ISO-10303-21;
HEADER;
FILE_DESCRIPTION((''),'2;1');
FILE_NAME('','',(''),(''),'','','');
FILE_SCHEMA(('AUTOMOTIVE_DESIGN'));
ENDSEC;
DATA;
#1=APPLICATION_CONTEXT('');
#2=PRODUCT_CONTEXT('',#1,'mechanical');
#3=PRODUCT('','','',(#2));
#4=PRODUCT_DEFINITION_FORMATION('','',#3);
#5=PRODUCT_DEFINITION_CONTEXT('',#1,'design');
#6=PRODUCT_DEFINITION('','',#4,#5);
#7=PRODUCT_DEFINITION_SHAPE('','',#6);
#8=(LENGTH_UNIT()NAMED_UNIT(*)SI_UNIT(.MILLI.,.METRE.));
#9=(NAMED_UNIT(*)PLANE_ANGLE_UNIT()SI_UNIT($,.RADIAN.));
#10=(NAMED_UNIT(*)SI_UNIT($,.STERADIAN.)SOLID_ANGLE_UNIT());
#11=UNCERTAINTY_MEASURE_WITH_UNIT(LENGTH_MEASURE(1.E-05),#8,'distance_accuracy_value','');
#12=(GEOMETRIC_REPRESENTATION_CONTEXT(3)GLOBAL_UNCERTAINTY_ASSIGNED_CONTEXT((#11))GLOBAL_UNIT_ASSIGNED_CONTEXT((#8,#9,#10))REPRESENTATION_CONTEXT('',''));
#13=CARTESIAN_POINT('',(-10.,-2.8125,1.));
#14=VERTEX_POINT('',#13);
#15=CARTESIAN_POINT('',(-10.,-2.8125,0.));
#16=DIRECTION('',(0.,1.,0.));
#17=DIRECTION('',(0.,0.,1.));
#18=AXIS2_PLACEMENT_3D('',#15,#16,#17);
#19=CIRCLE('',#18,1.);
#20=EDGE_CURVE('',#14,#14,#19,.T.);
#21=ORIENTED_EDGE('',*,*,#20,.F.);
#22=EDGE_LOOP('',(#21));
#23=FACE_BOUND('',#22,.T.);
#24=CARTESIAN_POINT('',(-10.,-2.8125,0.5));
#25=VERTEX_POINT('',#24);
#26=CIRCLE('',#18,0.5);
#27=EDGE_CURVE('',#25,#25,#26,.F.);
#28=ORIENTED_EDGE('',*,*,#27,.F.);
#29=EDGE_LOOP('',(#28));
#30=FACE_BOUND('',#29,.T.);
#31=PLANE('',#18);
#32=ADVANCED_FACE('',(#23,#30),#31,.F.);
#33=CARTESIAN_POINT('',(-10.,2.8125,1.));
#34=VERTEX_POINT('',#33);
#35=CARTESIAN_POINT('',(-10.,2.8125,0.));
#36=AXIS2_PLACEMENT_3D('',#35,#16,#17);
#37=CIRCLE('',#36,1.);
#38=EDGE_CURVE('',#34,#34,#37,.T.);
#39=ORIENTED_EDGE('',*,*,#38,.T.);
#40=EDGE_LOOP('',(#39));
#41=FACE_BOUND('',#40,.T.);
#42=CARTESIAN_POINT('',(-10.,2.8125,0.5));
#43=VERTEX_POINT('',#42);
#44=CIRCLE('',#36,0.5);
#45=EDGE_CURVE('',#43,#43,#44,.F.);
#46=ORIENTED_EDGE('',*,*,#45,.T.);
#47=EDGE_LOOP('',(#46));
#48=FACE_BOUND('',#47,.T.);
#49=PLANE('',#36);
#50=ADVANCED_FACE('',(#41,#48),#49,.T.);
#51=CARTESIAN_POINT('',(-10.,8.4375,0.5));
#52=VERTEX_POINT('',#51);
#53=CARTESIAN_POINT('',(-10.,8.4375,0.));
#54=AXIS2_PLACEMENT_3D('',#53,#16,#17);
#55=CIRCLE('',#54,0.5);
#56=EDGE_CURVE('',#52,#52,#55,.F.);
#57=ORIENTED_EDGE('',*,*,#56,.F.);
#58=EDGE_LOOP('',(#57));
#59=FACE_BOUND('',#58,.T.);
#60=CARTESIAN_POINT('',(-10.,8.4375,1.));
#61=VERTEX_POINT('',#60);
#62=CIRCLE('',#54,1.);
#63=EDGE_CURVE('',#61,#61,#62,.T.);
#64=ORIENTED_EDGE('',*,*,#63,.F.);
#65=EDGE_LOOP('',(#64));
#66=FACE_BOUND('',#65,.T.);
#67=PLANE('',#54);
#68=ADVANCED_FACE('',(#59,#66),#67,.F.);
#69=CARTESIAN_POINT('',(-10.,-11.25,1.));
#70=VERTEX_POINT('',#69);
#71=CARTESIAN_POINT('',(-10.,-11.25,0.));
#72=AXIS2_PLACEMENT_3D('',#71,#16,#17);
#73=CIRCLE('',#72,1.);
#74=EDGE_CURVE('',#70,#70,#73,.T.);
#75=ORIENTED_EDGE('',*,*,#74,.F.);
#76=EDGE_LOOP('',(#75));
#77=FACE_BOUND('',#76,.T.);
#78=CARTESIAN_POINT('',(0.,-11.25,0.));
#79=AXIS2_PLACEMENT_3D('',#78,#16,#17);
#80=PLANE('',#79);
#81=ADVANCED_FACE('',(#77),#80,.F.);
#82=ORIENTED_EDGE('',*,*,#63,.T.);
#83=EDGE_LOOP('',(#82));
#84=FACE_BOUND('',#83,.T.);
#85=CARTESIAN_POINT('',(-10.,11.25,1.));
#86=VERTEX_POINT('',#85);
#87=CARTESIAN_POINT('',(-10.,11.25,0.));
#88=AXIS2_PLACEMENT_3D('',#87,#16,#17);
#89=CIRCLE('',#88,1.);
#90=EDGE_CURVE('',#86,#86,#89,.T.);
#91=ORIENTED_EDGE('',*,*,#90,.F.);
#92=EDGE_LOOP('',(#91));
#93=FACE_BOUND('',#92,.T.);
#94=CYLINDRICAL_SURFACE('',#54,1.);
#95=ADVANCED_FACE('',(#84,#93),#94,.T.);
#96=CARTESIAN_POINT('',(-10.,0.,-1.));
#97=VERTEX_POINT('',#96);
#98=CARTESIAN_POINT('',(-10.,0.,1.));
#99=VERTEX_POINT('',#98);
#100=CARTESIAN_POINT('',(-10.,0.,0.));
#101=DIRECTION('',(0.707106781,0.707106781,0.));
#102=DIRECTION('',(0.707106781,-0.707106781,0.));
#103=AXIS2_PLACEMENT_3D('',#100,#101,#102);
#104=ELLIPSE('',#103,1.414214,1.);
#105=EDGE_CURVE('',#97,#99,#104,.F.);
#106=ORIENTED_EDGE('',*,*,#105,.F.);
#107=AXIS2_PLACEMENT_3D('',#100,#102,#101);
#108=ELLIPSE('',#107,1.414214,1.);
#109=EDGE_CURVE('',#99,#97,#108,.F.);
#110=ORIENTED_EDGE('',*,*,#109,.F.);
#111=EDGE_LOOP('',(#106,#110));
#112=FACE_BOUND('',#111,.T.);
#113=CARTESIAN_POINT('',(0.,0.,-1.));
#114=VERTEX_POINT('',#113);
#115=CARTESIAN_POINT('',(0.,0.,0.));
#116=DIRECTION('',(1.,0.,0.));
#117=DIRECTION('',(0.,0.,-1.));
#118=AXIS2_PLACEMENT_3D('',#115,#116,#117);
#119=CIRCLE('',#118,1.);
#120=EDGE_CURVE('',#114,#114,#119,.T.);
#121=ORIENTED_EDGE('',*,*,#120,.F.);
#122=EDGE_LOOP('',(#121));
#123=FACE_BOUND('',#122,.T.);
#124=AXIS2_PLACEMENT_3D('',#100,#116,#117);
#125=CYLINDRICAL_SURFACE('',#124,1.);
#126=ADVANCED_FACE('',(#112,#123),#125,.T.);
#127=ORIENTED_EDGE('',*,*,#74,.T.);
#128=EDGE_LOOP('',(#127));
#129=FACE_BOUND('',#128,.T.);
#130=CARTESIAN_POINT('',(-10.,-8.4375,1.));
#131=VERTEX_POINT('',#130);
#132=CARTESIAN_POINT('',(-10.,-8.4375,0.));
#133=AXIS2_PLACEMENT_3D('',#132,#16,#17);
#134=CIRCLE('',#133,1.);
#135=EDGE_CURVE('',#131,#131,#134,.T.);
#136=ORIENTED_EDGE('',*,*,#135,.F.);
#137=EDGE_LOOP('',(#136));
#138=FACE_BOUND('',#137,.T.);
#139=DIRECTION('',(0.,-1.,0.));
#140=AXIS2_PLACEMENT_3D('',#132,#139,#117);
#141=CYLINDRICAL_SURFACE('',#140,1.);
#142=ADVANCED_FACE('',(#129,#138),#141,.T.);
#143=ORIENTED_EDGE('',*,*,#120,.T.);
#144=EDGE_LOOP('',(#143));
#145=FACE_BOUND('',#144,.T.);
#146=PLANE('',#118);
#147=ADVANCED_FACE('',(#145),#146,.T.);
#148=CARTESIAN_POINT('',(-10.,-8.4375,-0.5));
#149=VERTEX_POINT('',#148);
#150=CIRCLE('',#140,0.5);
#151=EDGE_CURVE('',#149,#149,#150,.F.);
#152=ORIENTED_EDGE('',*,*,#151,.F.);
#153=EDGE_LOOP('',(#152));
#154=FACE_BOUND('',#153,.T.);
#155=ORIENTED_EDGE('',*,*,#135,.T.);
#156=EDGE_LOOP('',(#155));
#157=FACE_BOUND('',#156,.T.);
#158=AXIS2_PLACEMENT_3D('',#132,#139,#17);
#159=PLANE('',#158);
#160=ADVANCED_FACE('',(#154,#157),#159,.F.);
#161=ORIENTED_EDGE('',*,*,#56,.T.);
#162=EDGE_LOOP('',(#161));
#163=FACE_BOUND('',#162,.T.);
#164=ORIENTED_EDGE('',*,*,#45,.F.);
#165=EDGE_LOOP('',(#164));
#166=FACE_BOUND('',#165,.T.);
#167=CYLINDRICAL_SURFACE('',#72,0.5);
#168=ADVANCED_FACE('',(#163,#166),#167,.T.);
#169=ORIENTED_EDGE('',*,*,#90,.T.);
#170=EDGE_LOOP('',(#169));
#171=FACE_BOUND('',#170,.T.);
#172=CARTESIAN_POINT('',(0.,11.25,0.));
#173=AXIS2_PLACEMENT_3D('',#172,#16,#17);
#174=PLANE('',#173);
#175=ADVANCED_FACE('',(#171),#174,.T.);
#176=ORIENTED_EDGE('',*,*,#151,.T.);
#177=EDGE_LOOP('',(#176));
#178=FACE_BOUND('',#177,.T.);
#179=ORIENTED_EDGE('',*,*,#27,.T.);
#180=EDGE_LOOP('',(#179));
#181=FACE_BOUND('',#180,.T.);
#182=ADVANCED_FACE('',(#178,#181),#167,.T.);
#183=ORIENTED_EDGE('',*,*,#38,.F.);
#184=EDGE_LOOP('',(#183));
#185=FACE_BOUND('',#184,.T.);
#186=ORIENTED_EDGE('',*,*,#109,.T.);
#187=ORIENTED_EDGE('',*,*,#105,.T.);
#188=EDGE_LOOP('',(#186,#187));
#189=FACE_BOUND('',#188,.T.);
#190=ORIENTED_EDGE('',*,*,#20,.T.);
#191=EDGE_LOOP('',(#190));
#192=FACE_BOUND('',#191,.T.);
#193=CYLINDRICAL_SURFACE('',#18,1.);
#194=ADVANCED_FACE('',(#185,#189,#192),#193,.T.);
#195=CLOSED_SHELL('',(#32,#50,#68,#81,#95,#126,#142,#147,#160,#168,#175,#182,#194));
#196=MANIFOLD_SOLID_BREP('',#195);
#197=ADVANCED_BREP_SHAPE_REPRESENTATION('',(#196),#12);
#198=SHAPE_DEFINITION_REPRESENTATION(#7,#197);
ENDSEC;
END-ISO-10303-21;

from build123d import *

# Parameters (mm, degrees)
SKETCH3_R                = 1
BOSS_EXTRUDE1_DEPTH      = 10
BOSS_EXTRUDE2_DEPTH      = 11.25
BOSS_EXTRUDE2_DEPTH_BACK = 11.25
SKETCH4_R                = 0.5
BOSS_EXTRUDE3_DEPTH      = 2.8125
BOSS_EXTRUDE3_DEPTH_BACK = 2.8125
SKETCH6_R                = 1
SKETCH7_R                = 1
BOSS_EXTRUDE4_DEPTH      = 2.8125


with BuildPart() as part:
    # Sketch3 → Boss-Extrude1 (new body)
    with BuildSketch(Plane(origin=(0, 0, 0), x_dir=(0, 0, -1), z_dir=(1, 0, 0))):
        Circle(SKETCH3_R)
    extrude(amount=-BOSS_EXTRUDE1_DEPTH)

    # Sketch4 → Boss-Extrude2 (add, two sides: drawn at the far end of the back side and taken through both)
    with BuildSketch(Plane(origin=(0, 0, 0), x_dir=(1, 0, 0), z_dir=(0, 1, 0)).offset(-BOSS_EXTRUDE2_DEPTH_BACK)):
        with Locations((-10, 0)):
            Circle(SKETCH4_R)
    extrude(amount=BOSS_EXTRUDE2_DEPTH + BOSS_EXTRUDE2_DEPTH_BACK)

    # Sketch6 → Boss-Extrude3 (add, two sides: drawn at the far end of the back side and taken through both)
    with BuildSketch(Plane(origin=(0, 0, 0), x_dir=(1, 0, 0), z_dir=(0, 1, 0)).offset(-BOSS_EXTRUDE3_DEPTH_BACK)):
        with Locations((-10, 0)):
            Circle(SKETCH6_R)
    extrude(amount=BOSS_EXTRUDE3_DEPTH + BOSS_EXTRUDE3_DEPTH_BACK)

    # Sketch7 → Boss-Extrude4 (add)
    with BuildSketch(Plane(origin=(0, 11.25, 0), x_dir=(1, 0, 0), z_dir=(0, 1, 0))):
        with Locations((-10, 0)):
            Circle(SKETCH7_R)
    boss_extrude4 = extrude(amount=-BOSS_EXTRUDE4_DEPTH)

    # Mirror1: Boss-Extrude4 across plane
    add(boss_extrude4.mirror(Plane.ZX))


solid = part.part
